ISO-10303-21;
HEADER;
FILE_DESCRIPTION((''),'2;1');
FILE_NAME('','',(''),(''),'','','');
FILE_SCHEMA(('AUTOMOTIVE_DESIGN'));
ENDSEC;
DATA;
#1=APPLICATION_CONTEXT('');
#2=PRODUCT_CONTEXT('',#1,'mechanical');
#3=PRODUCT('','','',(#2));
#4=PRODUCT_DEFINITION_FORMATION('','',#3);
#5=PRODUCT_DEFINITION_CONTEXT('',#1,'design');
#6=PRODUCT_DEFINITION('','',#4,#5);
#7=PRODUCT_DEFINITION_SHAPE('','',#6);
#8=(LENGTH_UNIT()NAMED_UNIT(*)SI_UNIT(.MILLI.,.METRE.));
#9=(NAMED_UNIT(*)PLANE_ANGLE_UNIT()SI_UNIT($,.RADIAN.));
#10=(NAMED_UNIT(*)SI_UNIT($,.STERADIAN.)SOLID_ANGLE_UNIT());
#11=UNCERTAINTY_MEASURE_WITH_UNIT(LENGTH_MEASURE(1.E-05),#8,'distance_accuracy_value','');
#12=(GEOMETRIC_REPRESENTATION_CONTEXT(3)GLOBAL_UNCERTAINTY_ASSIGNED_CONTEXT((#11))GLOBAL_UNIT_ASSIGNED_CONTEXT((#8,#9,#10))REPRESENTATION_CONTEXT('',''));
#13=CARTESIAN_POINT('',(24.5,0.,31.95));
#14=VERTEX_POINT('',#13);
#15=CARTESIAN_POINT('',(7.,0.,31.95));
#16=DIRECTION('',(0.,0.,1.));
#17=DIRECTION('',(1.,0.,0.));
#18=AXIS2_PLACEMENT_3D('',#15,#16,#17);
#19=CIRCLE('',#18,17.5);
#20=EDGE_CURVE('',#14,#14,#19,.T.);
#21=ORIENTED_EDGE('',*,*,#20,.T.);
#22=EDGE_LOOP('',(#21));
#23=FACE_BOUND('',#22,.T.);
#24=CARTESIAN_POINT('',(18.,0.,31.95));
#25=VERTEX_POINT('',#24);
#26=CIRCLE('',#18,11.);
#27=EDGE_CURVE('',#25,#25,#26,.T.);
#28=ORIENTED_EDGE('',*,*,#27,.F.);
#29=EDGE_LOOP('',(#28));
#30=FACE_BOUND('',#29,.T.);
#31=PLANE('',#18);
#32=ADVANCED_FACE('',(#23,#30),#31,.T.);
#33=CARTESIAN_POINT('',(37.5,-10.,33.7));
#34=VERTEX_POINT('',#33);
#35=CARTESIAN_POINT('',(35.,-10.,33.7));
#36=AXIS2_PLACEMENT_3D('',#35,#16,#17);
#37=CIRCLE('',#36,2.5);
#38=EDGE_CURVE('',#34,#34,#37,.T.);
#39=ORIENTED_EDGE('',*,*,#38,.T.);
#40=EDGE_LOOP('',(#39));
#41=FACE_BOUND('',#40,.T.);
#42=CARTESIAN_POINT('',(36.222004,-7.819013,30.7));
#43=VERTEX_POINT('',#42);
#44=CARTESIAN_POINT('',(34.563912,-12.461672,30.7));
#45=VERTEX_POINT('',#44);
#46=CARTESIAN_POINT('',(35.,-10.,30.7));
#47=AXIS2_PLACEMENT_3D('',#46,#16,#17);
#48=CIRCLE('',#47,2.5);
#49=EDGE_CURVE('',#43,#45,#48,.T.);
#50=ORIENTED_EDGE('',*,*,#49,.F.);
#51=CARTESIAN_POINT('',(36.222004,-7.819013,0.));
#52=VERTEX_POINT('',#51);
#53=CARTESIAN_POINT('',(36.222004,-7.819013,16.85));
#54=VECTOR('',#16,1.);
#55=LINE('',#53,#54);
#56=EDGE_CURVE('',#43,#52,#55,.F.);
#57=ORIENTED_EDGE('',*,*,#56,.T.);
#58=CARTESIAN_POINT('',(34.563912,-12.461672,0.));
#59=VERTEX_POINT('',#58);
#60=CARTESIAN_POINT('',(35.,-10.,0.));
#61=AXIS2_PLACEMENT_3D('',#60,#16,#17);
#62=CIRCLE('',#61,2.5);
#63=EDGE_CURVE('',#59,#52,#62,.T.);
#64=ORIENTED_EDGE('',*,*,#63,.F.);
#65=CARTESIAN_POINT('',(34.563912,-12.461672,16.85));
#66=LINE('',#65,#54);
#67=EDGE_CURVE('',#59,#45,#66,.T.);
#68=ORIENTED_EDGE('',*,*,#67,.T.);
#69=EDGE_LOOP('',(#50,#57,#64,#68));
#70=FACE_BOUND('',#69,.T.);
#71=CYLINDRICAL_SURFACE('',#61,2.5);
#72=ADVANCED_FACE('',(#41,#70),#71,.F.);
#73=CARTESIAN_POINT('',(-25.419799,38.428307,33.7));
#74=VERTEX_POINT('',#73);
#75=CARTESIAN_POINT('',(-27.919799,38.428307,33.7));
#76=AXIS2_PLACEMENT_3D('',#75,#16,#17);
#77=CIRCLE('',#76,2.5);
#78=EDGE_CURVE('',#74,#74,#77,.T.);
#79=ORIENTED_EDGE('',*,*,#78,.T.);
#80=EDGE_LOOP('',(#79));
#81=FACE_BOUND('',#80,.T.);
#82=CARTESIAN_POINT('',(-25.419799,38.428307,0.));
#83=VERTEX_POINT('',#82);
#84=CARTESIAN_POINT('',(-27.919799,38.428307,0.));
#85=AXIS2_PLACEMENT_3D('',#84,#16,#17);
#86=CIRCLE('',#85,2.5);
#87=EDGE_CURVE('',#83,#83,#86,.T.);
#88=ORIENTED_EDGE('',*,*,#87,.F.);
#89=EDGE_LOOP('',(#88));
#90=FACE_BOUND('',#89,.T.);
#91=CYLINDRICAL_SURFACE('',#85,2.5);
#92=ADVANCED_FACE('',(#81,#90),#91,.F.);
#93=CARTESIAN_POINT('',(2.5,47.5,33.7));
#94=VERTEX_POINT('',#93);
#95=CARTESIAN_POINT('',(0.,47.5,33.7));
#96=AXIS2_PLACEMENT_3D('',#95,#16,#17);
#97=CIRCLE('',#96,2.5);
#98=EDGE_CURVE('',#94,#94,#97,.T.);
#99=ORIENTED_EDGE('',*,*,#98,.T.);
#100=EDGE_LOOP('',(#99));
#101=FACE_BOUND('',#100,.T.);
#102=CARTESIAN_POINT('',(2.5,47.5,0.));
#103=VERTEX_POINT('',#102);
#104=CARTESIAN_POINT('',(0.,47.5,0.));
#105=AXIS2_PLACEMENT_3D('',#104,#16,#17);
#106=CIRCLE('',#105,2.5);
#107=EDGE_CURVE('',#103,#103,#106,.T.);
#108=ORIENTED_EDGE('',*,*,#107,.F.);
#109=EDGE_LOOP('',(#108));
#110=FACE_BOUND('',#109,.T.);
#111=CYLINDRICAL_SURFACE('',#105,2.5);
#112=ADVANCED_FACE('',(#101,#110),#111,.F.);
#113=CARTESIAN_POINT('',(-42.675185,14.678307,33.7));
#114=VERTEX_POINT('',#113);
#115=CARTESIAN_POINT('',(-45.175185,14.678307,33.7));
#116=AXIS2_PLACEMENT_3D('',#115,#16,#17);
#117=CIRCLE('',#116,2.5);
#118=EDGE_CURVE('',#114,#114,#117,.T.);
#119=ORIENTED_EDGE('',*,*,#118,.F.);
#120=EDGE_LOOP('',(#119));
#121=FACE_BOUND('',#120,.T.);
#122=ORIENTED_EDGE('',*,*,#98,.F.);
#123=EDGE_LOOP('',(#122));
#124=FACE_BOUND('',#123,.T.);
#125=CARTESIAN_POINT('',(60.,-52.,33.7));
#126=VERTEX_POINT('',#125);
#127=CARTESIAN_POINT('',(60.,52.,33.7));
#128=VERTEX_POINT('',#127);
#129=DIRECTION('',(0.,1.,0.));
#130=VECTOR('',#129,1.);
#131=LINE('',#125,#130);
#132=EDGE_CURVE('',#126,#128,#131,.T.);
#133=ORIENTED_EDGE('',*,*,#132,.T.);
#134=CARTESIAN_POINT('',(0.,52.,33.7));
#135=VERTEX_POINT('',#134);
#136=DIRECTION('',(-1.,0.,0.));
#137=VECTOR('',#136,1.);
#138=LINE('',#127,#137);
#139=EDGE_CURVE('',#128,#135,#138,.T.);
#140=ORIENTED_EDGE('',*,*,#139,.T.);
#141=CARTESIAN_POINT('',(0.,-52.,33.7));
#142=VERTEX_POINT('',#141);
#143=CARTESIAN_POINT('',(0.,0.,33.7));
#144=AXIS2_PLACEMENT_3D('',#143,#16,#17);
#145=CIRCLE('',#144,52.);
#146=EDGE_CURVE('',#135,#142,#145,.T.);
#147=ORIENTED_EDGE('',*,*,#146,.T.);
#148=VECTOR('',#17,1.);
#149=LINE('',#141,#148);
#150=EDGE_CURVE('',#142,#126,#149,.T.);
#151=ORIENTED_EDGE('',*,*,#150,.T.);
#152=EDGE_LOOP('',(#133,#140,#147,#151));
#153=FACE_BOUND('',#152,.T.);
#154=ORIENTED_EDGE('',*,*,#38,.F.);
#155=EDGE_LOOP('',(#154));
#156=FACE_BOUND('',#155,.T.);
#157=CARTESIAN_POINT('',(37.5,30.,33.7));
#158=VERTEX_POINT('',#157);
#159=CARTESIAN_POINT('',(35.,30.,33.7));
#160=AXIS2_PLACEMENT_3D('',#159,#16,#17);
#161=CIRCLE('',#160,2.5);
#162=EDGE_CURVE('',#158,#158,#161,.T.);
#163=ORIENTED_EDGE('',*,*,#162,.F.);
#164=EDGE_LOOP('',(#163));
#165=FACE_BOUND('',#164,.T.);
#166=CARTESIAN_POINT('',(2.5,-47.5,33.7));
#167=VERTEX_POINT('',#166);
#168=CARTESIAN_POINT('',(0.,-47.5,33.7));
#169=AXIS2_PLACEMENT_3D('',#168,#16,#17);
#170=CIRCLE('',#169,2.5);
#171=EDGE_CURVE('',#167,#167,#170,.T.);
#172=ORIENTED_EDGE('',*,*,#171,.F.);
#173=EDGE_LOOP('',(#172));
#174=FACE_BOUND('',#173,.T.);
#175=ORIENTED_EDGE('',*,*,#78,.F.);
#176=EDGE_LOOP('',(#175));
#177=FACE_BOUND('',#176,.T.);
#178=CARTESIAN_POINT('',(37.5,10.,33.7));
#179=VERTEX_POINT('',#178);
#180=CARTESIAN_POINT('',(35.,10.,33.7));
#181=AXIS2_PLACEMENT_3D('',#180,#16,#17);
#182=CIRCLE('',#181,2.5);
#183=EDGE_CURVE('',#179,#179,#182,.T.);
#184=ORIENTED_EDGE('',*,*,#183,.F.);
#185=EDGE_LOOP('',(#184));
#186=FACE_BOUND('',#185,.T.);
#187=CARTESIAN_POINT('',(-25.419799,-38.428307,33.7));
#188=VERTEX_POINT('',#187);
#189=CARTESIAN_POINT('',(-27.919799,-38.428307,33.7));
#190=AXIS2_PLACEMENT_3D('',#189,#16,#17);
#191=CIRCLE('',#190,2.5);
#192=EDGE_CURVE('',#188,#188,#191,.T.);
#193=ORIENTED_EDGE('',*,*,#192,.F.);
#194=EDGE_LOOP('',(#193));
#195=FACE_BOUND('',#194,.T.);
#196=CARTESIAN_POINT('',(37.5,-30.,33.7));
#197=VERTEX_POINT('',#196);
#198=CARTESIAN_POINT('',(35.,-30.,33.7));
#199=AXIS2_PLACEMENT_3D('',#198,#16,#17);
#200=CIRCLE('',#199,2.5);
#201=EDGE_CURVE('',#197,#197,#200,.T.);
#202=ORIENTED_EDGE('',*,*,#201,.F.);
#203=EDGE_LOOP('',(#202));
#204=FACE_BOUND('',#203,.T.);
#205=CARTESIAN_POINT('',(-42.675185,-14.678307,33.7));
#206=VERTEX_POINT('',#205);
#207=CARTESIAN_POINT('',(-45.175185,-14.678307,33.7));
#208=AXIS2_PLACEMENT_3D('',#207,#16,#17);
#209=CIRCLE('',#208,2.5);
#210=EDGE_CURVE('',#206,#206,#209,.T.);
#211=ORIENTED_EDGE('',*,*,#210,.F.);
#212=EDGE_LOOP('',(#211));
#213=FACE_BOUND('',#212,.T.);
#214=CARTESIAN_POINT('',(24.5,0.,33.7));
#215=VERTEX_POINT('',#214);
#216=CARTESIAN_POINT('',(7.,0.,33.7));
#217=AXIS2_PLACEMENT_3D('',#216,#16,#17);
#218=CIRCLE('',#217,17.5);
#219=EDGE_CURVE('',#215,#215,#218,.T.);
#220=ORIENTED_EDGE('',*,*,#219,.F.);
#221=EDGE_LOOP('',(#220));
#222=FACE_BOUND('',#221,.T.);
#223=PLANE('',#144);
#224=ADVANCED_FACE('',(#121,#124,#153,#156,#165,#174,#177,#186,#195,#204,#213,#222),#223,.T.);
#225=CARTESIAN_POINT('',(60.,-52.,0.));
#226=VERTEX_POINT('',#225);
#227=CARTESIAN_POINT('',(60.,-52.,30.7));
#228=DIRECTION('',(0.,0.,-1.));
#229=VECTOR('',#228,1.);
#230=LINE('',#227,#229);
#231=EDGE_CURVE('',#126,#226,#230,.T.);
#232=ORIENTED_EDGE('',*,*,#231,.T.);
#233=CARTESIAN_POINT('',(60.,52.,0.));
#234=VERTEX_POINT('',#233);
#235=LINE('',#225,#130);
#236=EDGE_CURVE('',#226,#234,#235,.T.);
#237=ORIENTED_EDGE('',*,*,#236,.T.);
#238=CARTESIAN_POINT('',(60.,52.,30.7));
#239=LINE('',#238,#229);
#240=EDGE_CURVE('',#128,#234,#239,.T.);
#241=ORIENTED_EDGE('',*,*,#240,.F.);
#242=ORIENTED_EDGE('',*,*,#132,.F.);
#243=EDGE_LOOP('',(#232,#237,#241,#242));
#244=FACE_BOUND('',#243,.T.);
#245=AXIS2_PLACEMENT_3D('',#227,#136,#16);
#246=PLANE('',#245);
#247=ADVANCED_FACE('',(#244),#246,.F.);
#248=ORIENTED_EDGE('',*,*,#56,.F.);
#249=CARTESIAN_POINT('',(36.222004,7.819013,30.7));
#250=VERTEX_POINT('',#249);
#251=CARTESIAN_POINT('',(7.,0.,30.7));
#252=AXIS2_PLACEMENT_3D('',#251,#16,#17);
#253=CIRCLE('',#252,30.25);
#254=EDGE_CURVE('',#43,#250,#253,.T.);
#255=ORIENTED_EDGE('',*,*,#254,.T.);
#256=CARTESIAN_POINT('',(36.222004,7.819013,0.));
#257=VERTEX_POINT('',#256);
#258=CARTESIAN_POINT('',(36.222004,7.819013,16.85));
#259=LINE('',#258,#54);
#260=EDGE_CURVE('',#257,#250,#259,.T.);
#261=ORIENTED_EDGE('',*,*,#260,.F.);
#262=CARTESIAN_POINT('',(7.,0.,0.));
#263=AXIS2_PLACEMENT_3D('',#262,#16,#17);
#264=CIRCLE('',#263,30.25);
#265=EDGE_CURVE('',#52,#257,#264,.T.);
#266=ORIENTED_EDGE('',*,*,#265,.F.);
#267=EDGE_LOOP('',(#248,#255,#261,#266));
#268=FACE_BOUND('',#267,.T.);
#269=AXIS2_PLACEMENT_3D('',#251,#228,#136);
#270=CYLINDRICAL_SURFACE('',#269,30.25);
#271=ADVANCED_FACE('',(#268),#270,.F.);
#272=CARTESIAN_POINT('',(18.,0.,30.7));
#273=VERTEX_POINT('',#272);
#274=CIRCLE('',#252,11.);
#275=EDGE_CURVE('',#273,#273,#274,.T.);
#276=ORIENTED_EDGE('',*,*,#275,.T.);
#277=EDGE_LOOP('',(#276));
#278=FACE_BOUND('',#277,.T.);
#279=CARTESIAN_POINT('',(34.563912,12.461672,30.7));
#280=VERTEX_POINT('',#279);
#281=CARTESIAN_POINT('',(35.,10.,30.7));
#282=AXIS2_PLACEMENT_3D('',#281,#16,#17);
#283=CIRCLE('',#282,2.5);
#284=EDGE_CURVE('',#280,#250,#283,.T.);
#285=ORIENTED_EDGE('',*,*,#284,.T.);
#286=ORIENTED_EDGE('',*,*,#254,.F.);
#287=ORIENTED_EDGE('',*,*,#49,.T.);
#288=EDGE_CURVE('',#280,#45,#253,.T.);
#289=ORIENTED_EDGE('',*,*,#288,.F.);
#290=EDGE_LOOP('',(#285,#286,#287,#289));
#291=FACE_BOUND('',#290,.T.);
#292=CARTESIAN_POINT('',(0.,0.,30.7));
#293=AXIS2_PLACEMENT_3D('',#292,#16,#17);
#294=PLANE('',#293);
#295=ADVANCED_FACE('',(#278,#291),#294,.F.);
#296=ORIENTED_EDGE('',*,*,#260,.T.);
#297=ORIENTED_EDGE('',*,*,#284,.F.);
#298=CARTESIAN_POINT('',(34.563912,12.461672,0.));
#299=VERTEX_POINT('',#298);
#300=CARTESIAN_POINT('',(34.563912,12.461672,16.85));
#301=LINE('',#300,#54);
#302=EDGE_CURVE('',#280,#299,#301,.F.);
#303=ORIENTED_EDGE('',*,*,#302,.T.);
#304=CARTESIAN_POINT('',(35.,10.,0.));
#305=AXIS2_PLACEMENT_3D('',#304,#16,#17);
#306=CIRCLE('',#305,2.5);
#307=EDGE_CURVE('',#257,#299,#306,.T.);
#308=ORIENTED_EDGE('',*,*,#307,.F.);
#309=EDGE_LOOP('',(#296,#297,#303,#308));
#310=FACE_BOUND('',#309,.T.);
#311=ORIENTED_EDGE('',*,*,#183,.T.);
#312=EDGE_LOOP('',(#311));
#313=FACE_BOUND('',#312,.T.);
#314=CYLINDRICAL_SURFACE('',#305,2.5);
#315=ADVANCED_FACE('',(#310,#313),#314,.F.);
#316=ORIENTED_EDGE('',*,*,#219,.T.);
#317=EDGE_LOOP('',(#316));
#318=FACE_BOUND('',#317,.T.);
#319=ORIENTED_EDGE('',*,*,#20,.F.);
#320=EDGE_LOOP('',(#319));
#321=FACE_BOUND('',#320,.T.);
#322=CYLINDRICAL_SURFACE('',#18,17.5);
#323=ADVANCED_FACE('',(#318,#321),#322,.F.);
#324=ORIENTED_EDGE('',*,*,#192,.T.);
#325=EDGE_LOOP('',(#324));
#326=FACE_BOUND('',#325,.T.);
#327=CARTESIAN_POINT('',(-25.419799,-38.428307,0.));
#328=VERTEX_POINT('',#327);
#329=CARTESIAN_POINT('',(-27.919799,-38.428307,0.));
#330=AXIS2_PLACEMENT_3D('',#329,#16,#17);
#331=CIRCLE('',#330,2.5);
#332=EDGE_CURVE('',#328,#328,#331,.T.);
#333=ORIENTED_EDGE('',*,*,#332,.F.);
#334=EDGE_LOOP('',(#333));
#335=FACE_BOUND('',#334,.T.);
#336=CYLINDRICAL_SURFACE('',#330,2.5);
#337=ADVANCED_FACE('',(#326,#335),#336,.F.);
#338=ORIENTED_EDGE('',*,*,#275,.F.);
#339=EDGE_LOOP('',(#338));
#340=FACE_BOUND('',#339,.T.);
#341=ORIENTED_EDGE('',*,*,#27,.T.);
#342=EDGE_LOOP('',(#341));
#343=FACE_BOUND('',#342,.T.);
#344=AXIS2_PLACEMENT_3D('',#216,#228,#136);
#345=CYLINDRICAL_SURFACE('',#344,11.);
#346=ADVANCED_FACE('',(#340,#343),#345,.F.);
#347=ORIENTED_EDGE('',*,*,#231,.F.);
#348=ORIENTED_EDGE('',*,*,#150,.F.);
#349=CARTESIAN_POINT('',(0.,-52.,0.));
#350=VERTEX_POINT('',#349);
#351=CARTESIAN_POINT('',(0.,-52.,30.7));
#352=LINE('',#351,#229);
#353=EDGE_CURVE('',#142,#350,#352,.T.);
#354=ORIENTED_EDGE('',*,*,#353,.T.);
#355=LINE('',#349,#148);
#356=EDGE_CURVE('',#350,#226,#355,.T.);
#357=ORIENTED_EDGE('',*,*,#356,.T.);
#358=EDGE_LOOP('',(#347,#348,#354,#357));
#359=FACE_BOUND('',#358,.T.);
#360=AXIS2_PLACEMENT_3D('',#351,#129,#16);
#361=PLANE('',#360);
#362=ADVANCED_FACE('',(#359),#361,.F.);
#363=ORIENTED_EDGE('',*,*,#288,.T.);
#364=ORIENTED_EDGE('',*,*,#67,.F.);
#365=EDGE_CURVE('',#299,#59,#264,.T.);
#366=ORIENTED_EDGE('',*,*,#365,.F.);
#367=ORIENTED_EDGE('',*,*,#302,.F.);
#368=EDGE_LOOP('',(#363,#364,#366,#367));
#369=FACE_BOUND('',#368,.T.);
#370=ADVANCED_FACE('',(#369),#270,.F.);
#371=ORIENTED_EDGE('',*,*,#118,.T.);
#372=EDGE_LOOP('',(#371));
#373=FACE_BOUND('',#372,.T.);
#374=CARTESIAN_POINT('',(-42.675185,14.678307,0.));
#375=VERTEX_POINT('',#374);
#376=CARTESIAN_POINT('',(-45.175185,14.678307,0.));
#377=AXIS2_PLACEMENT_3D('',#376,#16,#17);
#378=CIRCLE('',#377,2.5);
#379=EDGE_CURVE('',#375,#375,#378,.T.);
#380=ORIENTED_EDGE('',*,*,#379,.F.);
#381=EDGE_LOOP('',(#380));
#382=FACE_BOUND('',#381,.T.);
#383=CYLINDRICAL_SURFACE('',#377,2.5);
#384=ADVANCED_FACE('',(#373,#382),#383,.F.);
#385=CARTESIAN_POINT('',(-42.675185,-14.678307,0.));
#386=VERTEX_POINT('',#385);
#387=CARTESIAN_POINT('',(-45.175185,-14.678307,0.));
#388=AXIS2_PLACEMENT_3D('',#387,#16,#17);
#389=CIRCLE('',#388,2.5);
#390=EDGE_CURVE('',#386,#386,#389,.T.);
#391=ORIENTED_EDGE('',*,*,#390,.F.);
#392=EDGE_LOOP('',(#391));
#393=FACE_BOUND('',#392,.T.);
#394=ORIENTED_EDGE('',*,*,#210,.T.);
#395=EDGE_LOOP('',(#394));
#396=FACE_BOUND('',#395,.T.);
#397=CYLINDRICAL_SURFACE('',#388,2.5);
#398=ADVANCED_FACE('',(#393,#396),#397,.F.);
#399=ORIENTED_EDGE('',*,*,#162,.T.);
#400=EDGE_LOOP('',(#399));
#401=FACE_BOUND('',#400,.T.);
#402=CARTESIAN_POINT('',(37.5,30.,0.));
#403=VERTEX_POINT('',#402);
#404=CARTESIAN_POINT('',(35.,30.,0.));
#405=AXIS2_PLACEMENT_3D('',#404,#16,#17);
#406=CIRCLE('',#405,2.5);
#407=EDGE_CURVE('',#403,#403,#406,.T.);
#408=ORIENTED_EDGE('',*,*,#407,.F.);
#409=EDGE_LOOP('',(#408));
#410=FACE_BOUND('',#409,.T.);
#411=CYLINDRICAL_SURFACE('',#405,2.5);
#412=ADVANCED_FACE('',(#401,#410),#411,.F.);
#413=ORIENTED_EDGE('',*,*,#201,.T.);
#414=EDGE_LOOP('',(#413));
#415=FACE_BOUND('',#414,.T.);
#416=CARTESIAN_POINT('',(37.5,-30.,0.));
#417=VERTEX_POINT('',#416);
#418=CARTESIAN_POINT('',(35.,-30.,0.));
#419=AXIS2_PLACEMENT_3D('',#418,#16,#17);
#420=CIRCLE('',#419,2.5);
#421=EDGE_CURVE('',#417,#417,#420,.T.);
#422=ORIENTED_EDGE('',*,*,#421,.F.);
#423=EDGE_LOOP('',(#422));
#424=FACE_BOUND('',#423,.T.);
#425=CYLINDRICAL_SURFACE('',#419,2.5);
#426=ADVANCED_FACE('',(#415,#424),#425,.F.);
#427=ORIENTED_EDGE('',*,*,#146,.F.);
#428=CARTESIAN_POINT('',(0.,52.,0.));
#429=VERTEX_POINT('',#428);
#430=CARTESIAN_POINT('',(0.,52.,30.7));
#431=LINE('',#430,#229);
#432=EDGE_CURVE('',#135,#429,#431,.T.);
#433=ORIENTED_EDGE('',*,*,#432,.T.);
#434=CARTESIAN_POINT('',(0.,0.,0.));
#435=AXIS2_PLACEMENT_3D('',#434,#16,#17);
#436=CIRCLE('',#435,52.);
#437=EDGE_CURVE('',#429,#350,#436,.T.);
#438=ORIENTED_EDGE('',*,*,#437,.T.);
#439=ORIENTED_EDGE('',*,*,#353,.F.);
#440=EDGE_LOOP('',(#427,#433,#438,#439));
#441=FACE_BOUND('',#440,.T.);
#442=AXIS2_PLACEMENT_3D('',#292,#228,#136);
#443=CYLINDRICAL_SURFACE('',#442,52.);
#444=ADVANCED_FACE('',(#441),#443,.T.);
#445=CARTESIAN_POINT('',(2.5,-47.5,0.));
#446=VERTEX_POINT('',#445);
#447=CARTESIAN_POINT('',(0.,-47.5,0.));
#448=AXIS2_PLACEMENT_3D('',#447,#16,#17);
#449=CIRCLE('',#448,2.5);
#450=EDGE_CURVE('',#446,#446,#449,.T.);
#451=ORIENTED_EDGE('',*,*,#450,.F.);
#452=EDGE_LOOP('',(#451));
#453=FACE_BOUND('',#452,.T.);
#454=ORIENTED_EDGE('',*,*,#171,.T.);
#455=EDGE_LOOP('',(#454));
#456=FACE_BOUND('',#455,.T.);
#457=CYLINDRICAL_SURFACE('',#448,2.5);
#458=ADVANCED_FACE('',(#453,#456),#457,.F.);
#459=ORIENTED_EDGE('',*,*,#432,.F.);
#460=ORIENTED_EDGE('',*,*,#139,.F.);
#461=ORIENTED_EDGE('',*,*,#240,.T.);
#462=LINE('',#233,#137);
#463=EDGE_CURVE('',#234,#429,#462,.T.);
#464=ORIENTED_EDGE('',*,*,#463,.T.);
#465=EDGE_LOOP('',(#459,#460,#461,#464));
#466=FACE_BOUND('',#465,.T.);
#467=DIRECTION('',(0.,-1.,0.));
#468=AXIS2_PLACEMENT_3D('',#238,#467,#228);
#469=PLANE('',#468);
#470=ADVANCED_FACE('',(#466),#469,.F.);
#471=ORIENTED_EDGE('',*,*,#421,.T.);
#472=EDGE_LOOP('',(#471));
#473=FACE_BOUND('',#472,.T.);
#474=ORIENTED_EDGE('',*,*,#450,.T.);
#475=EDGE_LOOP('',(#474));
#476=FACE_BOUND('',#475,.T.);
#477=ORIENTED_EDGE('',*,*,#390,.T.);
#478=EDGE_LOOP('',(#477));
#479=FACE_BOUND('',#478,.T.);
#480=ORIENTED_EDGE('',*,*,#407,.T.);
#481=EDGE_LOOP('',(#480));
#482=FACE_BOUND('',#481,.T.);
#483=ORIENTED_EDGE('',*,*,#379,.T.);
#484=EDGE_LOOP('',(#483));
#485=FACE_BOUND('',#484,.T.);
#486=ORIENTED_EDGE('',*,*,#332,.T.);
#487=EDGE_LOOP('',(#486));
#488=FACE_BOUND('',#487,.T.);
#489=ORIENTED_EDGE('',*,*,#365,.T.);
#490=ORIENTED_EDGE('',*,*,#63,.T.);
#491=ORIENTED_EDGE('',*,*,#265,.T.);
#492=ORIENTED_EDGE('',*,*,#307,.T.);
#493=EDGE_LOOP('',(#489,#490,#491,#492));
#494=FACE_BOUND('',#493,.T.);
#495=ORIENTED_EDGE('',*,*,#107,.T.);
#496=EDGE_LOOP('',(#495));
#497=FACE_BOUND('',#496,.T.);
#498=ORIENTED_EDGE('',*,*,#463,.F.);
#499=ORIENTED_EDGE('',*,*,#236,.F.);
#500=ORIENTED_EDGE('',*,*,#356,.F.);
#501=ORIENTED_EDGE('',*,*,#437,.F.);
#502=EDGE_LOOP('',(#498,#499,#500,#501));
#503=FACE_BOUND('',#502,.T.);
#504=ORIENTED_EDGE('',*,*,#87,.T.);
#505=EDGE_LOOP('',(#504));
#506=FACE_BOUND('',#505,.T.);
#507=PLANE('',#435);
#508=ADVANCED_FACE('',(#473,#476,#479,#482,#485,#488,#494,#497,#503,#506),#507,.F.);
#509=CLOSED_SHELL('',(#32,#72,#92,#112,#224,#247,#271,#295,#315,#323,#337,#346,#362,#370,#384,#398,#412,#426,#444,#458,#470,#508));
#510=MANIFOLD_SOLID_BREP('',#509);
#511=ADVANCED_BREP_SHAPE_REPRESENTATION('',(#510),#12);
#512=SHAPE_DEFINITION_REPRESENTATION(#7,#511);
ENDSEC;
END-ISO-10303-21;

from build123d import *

# Parameters (mm, degrees)
CROQUIS1_R              = 30.25
SALIENTE_EXTRUIR1_DEPTH = 30.7
CROQUIS2_R              = 11
SALIENTE_EXTRUIR2_DEPTH = 3
CROQUIS3_R              = 17.5
CORTAR_EXTRUIR1_DEPTH   = 1.75
CROQUIS4_R              = 2.5
CORTAR_EXTRUIR2_DEPTH   = 87.253637604


with BuildPart() as part:
    # Croquis1 → Saliente-Extruir1 (new body)
    with BuildSketch(Plane.XY):
        with BuildLine():
            Line((0, -52), (60, -52))
            Line((60, -52), (60, 52))
            Line((60, 52), (0, 52))
            ThreePointArc((0, 52), (-52, 0), (0, -52))
        make_face()
        with Locations((7, 0)):
            Circle(CROQUIS1_R, mode=Mode.SUBTRACT)
    extrude(amount=SALIENTE_EXTRUIR1_DEPTH)

    # Croquis2 → Saliente-Extruir2 (add)
    with BuildSketch(Plane.XY.offset(30.7)):
        with BuildLine():
            Line((0, -52), (60, -52))
            Line((60, -52), (60, 52))
            Line((60, 52), (0, 52))
            ThreePointArc((0, 52), (-52, 0), (0, -52))
        make_face()
        with Locations((7, 0)):
            Circle(CROQUIS2_R, mode=Mode.SUBTRACT)
    extrude(amount=SALIENTE_EXTRUIR2_DEPTH)

    # Croquis3 → Cortar-Extruir1 (cut)
    with BuildSketch(Plane.XY.offset(33.7)):
        with Locations((7, 0)):
            Circle(CROQUIS3_R)
    extrude(amount=-CORTAR_EXTRUIR1_DEPTH, mode=Mode.SUBTRACT)

    # Croquis4 → Cortar-Extruir2 (cut, through all)
    with BuildSketch(Plane.XY.offset(33.7)):
        with Locations((35, 30)):
            Circle(CROQUIS4_R)
        with Locations((0, 47.5)):
            Circle(CROQUIS4_R)
        with Locations((-27.919799484, 38.428307233)):
            Circle(CROQUIS4_R)
        with Locations((-45.175184524, 14.678307233)):
            Circle(CROQUIS4_R)
        with Locations((-45.175184524, -14.678307233)):
            Circle(CROQUIS4_R)
        with Locations((-27.919799484, -38.428307233)):
            Circle(CROQUIS4_R)
        with Locations((0, -47.5)):
            Circle(CROQUIS4_R)
        with Locations((35, 10)):
            Circle(CROQUIS4_R)
        with Locations((35, -10)):
            Circle(CROQUIS4_R)
        with Locations((35, -30)):
            Circle(CROQUIS4_R)
    extrude(amount=-CORTAR_EXTRUIR2_DEPTH, mode=Mode.SUBTRACT)


solid = part.part
